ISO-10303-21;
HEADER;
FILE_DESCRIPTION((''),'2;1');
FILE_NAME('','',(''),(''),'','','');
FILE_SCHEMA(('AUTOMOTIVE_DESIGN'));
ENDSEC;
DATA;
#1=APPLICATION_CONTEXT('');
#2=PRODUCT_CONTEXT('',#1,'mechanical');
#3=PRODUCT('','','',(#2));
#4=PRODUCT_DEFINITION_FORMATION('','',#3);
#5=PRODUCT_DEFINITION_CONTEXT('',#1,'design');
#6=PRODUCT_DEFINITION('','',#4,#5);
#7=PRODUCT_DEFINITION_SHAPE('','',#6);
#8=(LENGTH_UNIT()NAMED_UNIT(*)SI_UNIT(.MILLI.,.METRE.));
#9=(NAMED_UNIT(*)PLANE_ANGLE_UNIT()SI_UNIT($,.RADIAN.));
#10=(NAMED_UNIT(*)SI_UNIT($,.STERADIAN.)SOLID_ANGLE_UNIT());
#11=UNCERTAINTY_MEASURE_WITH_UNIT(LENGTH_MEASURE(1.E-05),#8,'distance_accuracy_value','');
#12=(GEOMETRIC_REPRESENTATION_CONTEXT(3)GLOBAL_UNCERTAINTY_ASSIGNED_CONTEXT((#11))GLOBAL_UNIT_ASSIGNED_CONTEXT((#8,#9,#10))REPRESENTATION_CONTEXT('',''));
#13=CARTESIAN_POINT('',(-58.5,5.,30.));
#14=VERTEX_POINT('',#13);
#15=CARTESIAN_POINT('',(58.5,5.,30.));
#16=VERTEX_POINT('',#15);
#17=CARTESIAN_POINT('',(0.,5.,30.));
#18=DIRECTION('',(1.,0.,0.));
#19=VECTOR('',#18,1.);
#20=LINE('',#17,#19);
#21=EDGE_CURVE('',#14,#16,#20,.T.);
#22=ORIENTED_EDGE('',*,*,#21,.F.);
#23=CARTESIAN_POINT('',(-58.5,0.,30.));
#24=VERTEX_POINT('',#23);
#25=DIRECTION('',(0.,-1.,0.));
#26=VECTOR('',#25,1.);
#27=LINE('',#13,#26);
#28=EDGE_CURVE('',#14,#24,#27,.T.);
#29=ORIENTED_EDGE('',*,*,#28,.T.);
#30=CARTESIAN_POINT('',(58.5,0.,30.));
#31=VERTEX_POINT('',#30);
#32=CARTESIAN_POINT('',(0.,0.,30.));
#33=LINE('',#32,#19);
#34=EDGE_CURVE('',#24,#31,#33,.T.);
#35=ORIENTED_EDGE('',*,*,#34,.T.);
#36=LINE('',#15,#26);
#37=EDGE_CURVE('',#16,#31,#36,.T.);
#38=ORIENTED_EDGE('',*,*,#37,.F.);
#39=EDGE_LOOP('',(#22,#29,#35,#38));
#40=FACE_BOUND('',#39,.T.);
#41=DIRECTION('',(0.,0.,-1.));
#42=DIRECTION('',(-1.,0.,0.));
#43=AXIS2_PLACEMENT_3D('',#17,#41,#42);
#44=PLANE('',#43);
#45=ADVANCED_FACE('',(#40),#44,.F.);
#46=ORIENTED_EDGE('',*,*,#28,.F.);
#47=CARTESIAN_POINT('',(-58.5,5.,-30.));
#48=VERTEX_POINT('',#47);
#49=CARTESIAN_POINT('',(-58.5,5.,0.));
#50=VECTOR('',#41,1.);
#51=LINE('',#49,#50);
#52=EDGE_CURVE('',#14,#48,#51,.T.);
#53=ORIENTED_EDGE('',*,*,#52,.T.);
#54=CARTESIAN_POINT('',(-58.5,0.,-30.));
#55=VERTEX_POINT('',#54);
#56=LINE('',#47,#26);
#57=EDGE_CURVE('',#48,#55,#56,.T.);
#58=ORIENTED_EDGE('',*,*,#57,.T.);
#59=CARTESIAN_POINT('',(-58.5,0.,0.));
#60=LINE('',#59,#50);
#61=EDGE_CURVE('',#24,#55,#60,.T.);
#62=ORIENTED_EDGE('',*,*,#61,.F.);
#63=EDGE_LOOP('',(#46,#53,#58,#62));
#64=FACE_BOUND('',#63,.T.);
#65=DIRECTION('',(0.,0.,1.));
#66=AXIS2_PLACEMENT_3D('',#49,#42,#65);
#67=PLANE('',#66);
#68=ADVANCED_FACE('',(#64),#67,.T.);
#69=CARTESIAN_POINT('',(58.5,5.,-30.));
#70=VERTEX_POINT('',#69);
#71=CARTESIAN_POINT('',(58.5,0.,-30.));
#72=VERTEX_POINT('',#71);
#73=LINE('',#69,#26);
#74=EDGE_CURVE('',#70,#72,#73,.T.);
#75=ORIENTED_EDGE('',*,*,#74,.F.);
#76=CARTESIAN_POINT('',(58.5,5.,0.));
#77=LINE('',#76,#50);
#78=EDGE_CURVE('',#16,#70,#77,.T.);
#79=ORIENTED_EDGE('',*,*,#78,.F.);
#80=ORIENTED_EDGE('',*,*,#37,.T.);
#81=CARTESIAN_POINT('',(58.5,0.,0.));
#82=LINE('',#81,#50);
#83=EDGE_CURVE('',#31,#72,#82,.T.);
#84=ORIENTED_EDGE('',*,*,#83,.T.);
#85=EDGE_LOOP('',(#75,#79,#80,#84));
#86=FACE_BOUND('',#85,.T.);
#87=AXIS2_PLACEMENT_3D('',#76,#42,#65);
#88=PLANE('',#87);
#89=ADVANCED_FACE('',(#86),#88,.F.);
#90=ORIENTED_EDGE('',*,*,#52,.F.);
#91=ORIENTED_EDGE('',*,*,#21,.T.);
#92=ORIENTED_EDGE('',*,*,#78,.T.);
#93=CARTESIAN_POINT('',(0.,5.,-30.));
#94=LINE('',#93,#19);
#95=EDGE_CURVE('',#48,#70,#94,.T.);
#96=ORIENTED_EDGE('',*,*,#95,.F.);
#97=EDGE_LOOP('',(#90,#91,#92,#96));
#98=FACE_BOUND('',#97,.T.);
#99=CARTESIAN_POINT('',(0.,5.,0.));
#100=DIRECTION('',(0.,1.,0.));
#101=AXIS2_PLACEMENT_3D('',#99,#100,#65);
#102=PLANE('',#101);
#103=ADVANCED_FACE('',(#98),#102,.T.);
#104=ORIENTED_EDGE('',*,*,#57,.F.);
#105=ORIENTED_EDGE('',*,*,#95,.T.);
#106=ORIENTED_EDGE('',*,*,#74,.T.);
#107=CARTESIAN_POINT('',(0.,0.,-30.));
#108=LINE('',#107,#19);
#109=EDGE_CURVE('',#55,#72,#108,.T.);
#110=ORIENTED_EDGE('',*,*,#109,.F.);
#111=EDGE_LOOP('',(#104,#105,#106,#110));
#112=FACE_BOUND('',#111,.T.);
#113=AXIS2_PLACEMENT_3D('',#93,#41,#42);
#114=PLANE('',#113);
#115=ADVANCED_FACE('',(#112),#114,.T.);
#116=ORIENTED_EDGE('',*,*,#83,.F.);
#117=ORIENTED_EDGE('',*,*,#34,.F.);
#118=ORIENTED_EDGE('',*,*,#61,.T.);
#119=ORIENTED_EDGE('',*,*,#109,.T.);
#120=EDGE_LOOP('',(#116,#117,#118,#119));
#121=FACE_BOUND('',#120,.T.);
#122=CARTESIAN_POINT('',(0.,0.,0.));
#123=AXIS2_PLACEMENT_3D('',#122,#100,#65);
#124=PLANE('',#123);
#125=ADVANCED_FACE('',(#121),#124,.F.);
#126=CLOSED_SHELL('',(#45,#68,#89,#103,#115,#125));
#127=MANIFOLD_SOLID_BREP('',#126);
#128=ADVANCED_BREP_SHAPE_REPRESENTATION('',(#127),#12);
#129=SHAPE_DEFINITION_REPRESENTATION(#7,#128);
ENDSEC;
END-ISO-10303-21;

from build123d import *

# Parameters (mm, degrees)
SKETCH1_W           = 117
SKETCH1_H           = 60
BOSS_EXTRUDE1_DEPTH = 5


with BuildPart() as part:
    # Sketch1 → Boss-Extrude1 (new body)
    with BuildSketch(Plane(origin=(0, 0, 0), x_dir=(1, 0, 0), z_dir=(0, 1, 0))):
        Rectangle(SKETCH1_W, SKETCH1_H)
    extrude(amount=BOSS_EXTRUDE1_DEPTH)


solid = part.part
